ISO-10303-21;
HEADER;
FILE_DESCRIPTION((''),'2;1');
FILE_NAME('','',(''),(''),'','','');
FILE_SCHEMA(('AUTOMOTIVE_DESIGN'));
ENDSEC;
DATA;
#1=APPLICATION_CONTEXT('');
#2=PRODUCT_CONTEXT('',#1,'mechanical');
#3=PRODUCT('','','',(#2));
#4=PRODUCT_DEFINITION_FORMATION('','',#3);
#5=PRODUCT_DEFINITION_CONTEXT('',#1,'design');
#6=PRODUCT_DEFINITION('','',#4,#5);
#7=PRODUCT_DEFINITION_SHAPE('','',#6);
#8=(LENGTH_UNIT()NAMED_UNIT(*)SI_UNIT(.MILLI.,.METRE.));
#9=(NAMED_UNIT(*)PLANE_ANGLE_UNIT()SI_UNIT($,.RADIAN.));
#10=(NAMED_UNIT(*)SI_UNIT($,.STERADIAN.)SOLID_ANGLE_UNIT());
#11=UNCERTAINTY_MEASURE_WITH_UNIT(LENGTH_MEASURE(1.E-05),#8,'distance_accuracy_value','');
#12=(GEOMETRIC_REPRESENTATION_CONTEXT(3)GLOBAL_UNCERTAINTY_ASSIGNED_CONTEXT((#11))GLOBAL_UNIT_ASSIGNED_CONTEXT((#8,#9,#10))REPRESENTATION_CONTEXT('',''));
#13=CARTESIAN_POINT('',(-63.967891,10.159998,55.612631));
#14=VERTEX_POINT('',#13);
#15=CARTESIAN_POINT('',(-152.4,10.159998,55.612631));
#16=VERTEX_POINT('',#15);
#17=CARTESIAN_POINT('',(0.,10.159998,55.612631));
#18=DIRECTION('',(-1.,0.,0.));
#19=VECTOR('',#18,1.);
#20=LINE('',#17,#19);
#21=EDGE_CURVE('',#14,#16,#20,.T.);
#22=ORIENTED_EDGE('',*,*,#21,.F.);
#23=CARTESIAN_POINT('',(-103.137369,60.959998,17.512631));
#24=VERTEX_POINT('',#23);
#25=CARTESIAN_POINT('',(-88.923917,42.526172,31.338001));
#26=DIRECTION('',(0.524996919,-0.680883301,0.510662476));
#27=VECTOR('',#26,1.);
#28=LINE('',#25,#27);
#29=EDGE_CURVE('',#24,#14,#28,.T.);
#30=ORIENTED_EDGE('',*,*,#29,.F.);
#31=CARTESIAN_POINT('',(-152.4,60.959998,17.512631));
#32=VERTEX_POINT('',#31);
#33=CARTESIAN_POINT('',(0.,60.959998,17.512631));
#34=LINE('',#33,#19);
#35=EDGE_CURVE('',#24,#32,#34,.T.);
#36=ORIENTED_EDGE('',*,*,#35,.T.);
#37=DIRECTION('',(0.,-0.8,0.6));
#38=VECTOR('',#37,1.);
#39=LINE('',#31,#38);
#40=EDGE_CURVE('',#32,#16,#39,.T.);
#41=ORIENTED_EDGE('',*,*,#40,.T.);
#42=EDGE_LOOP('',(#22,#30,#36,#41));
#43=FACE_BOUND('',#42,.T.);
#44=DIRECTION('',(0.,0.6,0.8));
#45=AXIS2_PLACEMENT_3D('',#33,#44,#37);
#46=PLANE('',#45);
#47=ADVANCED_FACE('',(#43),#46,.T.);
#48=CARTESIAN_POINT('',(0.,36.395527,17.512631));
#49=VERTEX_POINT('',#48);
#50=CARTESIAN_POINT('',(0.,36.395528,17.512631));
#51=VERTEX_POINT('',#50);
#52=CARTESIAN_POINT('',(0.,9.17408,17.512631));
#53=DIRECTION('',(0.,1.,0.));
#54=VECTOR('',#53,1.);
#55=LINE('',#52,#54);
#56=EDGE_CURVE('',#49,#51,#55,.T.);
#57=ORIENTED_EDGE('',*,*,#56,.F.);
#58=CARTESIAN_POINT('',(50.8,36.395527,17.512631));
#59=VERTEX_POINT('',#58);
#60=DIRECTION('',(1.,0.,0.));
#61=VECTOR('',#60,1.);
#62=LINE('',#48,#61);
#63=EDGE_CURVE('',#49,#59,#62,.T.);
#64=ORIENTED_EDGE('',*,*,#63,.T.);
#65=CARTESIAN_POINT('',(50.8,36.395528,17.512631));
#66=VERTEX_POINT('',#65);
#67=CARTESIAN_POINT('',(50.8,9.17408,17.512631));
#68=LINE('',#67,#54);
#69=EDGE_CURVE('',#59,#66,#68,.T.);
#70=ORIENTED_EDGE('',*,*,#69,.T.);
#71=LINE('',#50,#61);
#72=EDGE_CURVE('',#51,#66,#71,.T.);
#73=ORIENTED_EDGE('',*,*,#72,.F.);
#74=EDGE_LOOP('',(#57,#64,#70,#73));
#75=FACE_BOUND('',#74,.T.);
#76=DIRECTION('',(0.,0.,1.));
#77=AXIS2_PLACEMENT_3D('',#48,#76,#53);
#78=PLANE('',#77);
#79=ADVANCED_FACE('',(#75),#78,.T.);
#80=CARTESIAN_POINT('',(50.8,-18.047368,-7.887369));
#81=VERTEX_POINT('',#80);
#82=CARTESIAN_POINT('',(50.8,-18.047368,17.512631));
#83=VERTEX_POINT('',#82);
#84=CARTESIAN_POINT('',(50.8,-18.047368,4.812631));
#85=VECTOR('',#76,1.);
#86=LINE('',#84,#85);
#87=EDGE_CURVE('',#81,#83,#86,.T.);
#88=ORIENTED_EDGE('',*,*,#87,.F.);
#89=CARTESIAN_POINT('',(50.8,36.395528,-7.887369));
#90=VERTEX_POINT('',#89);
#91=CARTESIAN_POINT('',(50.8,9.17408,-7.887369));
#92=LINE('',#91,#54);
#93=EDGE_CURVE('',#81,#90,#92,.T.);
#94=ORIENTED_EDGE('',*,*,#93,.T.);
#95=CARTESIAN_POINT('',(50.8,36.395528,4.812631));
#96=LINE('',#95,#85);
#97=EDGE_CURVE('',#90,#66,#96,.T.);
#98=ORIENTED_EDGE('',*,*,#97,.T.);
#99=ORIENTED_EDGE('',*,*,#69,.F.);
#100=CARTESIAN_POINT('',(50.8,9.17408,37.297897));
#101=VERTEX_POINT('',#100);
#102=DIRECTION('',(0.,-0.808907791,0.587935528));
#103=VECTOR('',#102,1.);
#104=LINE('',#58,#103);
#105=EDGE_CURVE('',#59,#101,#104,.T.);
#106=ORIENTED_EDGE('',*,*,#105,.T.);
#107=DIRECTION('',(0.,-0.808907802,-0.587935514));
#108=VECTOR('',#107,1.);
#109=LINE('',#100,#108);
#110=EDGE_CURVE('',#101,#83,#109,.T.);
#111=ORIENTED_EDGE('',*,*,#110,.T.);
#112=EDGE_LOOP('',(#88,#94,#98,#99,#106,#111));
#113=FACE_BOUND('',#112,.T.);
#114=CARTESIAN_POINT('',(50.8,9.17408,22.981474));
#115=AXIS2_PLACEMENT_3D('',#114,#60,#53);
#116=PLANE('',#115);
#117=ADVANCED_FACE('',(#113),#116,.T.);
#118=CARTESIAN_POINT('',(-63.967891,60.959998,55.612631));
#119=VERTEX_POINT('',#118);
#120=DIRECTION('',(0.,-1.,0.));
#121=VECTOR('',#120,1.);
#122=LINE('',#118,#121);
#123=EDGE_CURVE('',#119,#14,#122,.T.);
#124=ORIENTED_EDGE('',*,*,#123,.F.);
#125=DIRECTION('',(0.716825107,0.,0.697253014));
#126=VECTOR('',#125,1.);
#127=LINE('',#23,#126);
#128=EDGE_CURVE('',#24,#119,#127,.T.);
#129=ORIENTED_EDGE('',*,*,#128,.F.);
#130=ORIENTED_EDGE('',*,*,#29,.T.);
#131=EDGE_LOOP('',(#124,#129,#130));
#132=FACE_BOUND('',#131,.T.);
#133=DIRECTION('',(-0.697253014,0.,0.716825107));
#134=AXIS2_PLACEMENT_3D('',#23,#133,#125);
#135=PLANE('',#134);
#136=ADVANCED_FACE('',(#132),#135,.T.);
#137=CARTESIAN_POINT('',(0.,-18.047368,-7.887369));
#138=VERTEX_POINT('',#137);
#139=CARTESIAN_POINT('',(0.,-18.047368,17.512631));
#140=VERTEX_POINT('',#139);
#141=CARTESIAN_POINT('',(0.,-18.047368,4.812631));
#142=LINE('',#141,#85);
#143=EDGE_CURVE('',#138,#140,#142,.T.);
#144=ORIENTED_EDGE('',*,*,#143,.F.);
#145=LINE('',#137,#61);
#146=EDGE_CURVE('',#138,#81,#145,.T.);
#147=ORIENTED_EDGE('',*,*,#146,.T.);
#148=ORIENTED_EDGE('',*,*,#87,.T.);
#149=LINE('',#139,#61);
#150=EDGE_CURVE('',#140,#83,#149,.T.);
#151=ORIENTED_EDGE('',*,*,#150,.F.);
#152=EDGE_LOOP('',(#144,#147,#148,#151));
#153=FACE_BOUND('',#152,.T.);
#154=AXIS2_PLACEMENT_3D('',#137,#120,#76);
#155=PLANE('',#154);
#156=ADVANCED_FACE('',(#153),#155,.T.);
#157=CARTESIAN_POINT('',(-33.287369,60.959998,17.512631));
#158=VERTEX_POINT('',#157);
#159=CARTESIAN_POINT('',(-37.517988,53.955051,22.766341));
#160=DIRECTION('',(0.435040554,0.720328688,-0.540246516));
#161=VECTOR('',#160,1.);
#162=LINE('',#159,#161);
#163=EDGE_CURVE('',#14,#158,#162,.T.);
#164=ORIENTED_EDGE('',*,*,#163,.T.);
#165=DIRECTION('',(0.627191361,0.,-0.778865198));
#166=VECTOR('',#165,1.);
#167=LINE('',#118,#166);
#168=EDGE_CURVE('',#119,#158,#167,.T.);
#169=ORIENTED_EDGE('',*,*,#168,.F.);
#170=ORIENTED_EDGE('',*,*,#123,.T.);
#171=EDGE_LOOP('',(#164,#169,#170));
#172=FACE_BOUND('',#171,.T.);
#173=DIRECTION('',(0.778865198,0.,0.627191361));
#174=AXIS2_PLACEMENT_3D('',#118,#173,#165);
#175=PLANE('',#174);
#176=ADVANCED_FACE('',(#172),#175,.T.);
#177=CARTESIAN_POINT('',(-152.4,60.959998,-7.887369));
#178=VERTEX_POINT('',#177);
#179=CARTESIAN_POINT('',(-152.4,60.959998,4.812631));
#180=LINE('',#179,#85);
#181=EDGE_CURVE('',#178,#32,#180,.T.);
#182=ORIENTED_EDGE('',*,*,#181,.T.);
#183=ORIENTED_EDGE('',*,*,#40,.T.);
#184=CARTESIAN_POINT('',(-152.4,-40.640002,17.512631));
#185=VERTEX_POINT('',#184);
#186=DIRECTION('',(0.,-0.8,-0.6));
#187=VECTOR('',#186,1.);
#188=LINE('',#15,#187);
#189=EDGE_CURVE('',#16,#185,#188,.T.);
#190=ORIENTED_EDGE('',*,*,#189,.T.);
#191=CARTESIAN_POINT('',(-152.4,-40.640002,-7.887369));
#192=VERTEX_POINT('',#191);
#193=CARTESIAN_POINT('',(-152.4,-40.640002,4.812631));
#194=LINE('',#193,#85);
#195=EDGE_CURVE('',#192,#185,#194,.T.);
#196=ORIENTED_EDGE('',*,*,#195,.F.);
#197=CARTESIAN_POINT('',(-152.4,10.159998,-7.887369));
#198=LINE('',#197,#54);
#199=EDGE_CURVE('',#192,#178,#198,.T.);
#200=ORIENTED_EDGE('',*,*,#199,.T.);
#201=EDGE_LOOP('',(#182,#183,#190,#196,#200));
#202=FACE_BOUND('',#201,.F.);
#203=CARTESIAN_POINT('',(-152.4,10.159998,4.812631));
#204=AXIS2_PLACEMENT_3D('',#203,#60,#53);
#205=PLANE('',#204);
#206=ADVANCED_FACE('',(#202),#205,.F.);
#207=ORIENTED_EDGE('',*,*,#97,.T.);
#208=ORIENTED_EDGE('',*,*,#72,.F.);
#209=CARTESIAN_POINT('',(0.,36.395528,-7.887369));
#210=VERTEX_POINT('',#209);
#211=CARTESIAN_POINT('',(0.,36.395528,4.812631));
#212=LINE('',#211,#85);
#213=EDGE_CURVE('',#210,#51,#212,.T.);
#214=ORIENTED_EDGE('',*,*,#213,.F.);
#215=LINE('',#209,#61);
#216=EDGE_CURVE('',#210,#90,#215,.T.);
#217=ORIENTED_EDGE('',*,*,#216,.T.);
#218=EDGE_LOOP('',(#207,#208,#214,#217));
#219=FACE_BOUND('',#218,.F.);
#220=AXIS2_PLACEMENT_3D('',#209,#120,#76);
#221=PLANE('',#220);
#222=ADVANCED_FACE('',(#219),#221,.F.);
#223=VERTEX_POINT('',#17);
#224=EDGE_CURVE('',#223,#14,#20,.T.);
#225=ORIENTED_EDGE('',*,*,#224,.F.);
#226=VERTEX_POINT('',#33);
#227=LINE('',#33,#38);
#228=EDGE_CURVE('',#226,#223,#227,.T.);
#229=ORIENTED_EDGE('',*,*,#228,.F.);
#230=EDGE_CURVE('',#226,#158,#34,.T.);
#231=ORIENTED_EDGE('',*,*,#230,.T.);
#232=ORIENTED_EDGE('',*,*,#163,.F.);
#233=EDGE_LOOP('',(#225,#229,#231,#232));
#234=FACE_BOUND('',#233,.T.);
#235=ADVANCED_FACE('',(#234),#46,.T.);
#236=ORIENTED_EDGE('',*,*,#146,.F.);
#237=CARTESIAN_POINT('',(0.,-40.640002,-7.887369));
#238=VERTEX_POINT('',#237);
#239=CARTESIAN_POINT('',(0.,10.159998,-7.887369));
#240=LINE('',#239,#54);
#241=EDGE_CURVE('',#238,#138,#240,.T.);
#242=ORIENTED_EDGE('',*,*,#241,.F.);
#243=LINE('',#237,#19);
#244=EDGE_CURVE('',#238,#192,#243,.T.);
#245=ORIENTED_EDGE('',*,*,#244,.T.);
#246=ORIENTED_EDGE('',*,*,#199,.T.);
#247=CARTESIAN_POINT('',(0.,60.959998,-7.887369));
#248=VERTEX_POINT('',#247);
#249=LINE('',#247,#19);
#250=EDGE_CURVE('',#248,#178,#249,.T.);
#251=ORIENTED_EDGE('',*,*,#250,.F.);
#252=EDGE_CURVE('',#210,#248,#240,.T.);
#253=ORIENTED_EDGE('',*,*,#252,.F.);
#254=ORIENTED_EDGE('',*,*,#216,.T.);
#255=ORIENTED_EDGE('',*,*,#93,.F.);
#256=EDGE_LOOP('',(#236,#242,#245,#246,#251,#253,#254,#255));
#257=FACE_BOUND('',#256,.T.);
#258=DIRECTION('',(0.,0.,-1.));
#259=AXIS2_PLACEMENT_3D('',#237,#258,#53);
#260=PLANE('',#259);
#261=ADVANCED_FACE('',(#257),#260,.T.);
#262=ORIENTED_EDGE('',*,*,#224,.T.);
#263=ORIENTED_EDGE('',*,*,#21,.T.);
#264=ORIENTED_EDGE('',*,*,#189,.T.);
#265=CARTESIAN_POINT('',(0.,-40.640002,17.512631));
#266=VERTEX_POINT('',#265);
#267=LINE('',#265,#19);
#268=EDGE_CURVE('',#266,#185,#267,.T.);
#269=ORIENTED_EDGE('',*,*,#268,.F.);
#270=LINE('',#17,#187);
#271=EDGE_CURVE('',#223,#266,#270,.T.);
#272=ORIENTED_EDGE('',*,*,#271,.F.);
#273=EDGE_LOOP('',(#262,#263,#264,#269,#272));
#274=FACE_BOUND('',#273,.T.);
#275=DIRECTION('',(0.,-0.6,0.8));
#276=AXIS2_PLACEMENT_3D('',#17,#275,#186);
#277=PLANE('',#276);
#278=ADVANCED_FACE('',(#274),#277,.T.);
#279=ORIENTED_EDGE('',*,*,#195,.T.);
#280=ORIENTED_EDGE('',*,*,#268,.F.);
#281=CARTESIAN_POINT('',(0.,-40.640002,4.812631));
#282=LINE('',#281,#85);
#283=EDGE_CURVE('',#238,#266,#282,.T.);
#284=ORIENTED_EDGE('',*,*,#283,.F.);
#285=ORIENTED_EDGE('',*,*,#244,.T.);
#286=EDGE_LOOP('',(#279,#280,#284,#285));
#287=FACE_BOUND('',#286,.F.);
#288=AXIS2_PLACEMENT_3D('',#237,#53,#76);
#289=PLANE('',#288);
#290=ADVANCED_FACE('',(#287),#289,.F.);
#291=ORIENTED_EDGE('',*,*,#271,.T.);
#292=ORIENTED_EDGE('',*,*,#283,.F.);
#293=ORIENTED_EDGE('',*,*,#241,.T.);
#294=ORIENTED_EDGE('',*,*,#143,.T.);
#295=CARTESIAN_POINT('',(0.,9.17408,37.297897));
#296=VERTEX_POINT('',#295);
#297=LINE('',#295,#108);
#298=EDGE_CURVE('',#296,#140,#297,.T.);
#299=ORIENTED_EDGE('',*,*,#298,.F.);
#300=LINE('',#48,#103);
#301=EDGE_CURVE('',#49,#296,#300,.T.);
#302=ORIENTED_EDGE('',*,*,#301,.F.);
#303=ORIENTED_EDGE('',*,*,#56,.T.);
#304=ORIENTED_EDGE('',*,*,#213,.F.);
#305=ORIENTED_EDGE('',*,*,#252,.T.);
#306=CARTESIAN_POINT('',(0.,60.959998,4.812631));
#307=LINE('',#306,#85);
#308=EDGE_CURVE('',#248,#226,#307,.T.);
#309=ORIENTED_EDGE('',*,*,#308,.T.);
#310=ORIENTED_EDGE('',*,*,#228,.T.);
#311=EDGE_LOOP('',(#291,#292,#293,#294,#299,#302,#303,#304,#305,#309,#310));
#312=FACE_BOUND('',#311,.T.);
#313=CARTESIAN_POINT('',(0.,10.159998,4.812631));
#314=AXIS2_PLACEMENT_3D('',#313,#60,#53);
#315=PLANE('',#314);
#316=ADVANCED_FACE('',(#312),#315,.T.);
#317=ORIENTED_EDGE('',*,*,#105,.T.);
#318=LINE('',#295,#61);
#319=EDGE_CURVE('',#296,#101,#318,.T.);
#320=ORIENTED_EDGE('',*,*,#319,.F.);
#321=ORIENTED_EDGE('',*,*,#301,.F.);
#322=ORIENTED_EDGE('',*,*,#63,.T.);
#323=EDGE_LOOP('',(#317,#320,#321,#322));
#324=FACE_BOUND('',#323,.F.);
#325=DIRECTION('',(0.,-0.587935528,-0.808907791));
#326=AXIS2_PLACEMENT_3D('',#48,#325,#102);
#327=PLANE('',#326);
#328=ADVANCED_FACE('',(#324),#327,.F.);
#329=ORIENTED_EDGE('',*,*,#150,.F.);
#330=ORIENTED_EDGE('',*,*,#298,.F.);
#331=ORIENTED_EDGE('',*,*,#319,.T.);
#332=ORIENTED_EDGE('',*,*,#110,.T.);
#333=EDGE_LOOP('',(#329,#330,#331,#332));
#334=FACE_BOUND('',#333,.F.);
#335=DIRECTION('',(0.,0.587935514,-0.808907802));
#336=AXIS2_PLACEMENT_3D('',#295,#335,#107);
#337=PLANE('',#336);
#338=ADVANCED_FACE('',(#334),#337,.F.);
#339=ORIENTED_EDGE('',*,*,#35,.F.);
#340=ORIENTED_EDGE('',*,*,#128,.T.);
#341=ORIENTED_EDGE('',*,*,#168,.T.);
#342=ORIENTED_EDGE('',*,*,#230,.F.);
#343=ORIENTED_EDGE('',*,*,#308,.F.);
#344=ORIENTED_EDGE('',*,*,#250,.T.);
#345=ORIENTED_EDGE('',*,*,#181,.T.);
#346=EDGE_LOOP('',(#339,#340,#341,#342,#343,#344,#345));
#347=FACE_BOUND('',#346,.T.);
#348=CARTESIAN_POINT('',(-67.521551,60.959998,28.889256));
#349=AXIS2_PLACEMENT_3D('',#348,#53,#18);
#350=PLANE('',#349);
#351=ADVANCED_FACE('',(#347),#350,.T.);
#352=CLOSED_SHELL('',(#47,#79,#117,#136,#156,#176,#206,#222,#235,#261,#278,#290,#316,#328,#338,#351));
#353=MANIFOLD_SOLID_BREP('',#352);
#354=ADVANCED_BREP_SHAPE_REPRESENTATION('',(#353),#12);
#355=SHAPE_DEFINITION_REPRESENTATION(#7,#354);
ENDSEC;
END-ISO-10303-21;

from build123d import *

# Parameters (mm, degrees)
F0_W     = 101.6
F0_H     = 25.4
F1_DEPTH = 152.4
F2_W     = 54.442895
F2_H     = 25.4
F3_DEPTH = 50.8
F5_DEPTH = 50.8


with BuildPart() as f1:
    # F0 (on Right) → F1 (new body)
    with BuildSketch(Plane.YZ):
        with Locations((10.159998, 4.812631)):
            Rectangle(F0_W, F0_H)
        Polygon((10.159998, 55.612631), (-40.640002, 17.512631), (60.959998, 17.512631), align=None)
    extrude(amount=-F1_DEPTH)

    # F2 (on face) → F3 (join)
    with BuildSketch(Plane.YZ):
        Polygon((9.17408, 37.297897), (-18.047368, 17.512631), (36.395527, 17.512631), align=None)
        with Locations((9.17408, 4.812631)):
            Rectangle(F2_W, F2_H)
    extrude(amount=F3_DEPTH)

    # F4 (on face) → F5 (join)
    with BuildSketch(Plane(origin=(0, 60.959998, 0), x_dir=(-1, 0, 0), z_dir=(0, 1, 0))):
        Polygon((63.967891, 55.612631), (33.287369, 17.512631), (103.137369, 17.512631), align=None)
    extrude(amount=-F5_DEPTH)


solid = f1.part
